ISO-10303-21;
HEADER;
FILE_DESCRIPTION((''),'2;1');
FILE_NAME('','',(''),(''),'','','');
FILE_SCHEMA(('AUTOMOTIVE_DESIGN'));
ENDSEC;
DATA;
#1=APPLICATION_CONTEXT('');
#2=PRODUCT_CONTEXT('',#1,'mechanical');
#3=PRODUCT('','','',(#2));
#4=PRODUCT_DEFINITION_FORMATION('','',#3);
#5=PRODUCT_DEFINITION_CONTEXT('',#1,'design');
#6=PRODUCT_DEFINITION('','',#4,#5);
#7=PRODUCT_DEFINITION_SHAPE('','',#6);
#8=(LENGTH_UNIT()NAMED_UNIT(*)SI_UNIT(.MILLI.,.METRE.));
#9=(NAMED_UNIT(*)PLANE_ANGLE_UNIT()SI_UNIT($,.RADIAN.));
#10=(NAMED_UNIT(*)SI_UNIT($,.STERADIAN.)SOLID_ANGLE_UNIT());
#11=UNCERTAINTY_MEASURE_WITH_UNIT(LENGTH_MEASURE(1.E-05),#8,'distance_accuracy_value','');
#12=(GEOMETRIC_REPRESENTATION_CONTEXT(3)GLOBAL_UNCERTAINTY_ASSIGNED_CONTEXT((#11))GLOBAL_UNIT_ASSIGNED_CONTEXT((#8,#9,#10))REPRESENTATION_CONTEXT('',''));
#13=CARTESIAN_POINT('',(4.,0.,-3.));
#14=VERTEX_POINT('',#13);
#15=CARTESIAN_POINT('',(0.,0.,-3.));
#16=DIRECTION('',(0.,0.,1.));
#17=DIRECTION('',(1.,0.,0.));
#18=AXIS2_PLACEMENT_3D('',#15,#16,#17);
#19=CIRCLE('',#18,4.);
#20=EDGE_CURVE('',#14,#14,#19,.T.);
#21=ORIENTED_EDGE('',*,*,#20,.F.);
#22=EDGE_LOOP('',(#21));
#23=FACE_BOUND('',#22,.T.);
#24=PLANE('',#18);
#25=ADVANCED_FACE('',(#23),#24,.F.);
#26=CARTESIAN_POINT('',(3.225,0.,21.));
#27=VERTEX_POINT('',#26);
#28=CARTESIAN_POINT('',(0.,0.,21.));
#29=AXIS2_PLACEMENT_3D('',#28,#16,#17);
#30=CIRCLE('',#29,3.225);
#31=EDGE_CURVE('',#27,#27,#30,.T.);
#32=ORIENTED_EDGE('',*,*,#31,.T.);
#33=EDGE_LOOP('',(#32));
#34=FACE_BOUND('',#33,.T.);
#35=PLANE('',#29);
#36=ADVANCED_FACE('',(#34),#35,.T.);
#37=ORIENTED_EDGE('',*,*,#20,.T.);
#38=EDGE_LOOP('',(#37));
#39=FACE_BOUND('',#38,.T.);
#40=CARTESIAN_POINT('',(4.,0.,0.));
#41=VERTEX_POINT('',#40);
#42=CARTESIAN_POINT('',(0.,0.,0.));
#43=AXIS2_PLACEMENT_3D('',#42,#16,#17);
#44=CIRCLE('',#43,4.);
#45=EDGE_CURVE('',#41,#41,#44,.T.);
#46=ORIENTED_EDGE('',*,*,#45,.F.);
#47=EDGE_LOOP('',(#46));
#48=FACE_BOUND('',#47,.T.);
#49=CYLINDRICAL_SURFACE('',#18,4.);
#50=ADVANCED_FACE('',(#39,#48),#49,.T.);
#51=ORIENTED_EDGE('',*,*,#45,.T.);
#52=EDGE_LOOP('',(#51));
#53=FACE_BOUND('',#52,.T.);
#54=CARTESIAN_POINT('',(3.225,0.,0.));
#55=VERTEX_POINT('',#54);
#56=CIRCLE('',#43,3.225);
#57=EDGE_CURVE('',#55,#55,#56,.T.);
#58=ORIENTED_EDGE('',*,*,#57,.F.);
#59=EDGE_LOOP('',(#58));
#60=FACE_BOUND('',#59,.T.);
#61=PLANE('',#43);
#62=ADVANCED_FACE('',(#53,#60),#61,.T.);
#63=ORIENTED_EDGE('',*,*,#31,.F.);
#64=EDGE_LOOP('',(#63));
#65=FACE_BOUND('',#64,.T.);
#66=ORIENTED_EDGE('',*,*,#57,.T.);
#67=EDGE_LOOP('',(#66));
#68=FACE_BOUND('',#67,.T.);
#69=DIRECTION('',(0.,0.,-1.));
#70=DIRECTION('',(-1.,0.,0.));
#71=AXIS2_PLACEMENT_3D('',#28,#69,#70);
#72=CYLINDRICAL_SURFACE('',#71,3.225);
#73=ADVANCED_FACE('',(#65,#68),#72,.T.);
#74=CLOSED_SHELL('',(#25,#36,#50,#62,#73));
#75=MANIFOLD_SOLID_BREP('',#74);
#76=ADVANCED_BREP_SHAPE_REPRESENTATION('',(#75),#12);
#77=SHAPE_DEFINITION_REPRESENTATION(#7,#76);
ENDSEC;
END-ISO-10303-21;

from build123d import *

# Parameters (mm, degrees)
SKETCH1_R           = 3.225
BOSS_EXTRUDE1_DEPTH = 21
SKETCH2_R           = 4
BOSS_EXTRUDE2_DEPTH = 3


with BuildPart() as part:
    # Sketch1 → Boss-Extrude1 (new body)
    with BuildSketch(Plane.XY):
        Circle(SKETCH1_R)
    extrude(amount=BOSS_EXTRUDE1_DEPTH)

    # Sketch2 → Boss-Extrude2 (add)
    with BuildSketch(Plane.XY):
        Circle(SKETCH2_R)
    extrude(amount=-BOSS_EXTRUDE2_DEPTH)


solid = part.part
